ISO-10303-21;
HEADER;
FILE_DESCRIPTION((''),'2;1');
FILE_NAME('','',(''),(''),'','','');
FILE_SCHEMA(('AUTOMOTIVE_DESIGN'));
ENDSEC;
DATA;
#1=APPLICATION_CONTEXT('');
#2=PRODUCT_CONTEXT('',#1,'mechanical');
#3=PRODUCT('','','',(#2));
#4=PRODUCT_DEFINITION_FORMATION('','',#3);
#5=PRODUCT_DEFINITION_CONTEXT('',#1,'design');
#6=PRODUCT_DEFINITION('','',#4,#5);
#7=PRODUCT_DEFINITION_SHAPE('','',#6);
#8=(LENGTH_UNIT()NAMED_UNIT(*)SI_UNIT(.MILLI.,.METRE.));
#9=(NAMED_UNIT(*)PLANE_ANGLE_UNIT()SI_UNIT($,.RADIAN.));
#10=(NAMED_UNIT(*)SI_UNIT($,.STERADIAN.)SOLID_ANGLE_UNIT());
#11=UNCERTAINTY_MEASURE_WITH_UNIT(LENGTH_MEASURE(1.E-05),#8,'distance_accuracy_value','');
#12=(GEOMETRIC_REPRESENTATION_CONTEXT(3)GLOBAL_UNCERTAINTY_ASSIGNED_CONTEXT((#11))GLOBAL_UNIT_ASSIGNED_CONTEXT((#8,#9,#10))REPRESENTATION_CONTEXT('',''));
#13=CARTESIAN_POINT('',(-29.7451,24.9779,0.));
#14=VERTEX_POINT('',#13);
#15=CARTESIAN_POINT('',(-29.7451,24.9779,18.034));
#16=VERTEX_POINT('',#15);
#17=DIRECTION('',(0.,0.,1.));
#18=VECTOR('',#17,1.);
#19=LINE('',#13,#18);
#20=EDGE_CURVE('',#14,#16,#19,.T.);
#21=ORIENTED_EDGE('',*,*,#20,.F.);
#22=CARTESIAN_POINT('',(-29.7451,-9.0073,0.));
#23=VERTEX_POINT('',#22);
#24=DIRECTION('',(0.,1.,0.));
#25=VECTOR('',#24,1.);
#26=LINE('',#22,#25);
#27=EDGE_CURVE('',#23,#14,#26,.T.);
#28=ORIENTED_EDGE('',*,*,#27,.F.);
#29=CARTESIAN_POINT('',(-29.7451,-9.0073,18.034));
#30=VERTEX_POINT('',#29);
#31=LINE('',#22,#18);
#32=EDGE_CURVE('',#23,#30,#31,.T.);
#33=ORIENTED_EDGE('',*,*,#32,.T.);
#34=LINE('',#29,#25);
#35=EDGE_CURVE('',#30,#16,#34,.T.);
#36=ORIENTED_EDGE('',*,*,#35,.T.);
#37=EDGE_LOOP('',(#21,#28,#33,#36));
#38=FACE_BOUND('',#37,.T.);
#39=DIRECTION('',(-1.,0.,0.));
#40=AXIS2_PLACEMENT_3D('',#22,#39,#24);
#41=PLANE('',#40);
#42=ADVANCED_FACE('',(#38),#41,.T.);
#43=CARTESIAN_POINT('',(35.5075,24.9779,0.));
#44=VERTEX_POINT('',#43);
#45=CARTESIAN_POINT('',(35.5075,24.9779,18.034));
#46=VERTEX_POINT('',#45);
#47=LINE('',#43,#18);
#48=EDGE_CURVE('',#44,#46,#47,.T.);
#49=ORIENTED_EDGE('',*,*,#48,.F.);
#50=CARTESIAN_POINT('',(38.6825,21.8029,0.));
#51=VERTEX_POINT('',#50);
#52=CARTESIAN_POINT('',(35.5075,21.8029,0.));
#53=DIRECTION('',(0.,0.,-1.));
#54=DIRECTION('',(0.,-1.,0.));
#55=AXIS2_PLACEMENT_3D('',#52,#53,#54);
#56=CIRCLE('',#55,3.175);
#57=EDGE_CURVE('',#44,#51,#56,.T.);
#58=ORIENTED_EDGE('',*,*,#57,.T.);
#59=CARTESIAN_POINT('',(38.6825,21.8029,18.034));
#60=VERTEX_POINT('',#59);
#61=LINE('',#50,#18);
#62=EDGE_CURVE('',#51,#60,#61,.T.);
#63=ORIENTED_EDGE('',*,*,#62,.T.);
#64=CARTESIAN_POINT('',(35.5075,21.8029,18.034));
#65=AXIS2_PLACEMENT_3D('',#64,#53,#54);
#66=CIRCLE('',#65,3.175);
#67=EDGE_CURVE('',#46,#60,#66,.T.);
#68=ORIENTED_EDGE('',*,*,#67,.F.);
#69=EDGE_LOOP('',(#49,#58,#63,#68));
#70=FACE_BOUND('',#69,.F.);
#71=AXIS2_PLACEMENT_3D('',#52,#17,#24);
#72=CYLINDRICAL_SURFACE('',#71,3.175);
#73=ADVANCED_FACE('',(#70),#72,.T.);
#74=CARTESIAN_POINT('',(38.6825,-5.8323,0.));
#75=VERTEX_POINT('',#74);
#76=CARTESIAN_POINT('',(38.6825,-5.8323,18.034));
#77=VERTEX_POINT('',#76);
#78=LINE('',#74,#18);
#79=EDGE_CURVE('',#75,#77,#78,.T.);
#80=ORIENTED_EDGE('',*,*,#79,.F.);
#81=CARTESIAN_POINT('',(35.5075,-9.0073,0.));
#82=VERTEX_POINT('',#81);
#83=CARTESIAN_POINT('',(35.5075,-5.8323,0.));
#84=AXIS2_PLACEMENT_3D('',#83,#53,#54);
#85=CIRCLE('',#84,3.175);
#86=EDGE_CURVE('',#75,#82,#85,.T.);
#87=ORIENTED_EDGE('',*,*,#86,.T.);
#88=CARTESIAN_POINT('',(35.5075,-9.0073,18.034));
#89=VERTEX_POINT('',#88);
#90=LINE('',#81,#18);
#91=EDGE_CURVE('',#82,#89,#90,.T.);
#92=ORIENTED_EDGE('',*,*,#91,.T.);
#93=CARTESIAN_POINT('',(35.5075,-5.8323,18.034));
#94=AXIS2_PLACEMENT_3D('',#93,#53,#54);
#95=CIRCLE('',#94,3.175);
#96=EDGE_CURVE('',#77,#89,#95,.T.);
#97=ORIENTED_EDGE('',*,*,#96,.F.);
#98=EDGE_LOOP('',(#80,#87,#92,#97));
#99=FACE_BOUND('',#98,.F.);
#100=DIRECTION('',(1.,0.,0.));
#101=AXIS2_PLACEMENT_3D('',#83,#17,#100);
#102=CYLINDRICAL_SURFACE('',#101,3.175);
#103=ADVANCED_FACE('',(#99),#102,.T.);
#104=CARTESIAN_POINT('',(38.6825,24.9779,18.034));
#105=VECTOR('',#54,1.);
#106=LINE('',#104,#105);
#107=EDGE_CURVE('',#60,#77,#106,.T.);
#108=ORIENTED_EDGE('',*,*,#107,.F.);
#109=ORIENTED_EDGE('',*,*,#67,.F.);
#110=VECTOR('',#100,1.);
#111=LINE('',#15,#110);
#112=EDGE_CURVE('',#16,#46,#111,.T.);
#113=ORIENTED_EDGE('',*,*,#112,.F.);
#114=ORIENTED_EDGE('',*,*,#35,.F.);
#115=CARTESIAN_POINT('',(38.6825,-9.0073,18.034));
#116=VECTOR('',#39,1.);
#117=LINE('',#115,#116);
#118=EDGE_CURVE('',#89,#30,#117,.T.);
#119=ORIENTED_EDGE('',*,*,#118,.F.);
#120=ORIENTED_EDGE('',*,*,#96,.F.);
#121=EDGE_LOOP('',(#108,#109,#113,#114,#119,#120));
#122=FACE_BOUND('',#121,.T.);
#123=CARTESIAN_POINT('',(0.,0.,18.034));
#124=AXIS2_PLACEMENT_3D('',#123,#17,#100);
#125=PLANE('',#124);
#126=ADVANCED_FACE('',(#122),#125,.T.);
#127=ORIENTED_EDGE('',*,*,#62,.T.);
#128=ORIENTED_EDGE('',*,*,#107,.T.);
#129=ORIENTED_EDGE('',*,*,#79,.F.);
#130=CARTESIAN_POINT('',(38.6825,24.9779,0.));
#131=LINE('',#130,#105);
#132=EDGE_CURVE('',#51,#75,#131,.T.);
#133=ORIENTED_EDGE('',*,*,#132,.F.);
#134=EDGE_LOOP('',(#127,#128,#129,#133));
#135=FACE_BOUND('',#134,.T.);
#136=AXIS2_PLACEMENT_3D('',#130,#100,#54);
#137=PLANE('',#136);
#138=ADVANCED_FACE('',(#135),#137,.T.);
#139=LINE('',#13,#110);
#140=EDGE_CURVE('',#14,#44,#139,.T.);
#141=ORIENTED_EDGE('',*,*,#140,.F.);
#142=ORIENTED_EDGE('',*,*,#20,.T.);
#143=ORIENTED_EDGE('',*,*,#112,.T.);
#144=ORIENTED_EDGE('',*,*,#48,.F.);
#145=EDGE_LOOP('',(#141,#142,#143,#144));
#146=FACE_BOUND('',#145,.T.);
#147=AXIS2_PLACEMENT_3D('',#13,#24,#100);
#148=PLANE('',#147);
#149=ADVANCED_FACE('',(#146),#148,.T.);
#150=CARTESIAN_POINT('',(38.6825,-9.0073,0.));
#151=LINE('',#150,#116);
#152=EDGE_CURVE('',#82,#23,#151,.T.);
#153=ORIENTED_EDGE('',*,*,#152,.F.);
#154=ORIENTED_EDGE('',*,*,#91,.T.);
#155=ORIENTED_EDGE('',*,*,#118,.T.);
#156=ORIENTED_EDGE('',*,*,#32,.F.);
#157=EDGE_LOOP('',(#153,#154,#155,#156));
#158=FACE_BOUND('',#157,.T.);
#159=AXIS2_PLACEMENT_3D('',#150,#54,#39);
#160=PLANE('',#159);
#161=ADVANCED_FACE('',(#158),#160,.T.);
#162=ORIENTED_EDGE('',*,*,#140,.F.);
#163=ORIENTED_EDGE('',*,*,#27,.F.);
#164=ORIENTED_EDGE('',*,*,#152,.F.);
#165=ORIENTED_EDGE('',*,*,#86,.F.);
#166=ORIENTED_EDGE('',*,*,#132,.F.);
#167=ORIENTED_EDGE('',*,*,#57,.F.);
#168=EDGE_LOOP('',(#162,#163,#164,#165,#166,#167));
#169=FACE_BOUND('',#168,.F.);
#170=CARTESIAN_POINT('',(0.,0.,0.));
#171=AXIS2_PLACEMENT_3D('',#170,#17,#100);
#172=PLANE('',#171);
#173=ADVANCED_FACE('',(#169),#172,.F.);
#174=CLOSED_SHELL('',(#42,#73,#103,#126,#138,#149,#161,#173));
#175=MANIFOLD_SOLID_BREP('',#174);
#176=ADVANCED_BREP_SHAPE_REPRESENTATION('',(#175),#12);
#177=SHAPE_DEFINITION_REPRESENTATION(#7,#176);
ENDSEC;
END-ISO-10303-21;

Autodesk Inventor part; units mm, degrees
ref_plane "YZ Plane" through (0, 0, 0) normal (1, 0, 0) x (0, 1, 0)
ref_plane "XZ Plane" through (0, 0, 0) normal (0, 1, 0) x (-1, 0, 0)
ref_plane "XY Plane" through (0, 0, 0) normal (0, 0, 1) x (1, 0, 0)
sketch "Sketch1" plane through (0, 0, 0) normal (0, 0, 1) x (1, 0, 0)
  line L0 (-29.7451, 24.9779) -> (38.6825, 24.9779)
  line L1 (38.6825, 24.9779) -> (38.6825, -9.0073)
  line L2 (38.6825, -9.0073) -> (-29.7451, -9.0073)
  line L3 (-29.7451, -9.0073) -> (-29.7451, 24.9779)
  point P0 (0, 0)
  dimension "d0" = 68.4276
  dimension "d1" = 33.9852
extrude "Extrusion1" add sketch "Sketch1" along normal blind 18.034
fillet "Fillet1" radius 3.175 1 edges at (38.6825, 24.9779, 9.017)
fillet "Fillet2" radius 3.175 1 edges at (38.6825, -9.0073, 9.017)
properties part number "Aidan Sherry Battery Pack"
